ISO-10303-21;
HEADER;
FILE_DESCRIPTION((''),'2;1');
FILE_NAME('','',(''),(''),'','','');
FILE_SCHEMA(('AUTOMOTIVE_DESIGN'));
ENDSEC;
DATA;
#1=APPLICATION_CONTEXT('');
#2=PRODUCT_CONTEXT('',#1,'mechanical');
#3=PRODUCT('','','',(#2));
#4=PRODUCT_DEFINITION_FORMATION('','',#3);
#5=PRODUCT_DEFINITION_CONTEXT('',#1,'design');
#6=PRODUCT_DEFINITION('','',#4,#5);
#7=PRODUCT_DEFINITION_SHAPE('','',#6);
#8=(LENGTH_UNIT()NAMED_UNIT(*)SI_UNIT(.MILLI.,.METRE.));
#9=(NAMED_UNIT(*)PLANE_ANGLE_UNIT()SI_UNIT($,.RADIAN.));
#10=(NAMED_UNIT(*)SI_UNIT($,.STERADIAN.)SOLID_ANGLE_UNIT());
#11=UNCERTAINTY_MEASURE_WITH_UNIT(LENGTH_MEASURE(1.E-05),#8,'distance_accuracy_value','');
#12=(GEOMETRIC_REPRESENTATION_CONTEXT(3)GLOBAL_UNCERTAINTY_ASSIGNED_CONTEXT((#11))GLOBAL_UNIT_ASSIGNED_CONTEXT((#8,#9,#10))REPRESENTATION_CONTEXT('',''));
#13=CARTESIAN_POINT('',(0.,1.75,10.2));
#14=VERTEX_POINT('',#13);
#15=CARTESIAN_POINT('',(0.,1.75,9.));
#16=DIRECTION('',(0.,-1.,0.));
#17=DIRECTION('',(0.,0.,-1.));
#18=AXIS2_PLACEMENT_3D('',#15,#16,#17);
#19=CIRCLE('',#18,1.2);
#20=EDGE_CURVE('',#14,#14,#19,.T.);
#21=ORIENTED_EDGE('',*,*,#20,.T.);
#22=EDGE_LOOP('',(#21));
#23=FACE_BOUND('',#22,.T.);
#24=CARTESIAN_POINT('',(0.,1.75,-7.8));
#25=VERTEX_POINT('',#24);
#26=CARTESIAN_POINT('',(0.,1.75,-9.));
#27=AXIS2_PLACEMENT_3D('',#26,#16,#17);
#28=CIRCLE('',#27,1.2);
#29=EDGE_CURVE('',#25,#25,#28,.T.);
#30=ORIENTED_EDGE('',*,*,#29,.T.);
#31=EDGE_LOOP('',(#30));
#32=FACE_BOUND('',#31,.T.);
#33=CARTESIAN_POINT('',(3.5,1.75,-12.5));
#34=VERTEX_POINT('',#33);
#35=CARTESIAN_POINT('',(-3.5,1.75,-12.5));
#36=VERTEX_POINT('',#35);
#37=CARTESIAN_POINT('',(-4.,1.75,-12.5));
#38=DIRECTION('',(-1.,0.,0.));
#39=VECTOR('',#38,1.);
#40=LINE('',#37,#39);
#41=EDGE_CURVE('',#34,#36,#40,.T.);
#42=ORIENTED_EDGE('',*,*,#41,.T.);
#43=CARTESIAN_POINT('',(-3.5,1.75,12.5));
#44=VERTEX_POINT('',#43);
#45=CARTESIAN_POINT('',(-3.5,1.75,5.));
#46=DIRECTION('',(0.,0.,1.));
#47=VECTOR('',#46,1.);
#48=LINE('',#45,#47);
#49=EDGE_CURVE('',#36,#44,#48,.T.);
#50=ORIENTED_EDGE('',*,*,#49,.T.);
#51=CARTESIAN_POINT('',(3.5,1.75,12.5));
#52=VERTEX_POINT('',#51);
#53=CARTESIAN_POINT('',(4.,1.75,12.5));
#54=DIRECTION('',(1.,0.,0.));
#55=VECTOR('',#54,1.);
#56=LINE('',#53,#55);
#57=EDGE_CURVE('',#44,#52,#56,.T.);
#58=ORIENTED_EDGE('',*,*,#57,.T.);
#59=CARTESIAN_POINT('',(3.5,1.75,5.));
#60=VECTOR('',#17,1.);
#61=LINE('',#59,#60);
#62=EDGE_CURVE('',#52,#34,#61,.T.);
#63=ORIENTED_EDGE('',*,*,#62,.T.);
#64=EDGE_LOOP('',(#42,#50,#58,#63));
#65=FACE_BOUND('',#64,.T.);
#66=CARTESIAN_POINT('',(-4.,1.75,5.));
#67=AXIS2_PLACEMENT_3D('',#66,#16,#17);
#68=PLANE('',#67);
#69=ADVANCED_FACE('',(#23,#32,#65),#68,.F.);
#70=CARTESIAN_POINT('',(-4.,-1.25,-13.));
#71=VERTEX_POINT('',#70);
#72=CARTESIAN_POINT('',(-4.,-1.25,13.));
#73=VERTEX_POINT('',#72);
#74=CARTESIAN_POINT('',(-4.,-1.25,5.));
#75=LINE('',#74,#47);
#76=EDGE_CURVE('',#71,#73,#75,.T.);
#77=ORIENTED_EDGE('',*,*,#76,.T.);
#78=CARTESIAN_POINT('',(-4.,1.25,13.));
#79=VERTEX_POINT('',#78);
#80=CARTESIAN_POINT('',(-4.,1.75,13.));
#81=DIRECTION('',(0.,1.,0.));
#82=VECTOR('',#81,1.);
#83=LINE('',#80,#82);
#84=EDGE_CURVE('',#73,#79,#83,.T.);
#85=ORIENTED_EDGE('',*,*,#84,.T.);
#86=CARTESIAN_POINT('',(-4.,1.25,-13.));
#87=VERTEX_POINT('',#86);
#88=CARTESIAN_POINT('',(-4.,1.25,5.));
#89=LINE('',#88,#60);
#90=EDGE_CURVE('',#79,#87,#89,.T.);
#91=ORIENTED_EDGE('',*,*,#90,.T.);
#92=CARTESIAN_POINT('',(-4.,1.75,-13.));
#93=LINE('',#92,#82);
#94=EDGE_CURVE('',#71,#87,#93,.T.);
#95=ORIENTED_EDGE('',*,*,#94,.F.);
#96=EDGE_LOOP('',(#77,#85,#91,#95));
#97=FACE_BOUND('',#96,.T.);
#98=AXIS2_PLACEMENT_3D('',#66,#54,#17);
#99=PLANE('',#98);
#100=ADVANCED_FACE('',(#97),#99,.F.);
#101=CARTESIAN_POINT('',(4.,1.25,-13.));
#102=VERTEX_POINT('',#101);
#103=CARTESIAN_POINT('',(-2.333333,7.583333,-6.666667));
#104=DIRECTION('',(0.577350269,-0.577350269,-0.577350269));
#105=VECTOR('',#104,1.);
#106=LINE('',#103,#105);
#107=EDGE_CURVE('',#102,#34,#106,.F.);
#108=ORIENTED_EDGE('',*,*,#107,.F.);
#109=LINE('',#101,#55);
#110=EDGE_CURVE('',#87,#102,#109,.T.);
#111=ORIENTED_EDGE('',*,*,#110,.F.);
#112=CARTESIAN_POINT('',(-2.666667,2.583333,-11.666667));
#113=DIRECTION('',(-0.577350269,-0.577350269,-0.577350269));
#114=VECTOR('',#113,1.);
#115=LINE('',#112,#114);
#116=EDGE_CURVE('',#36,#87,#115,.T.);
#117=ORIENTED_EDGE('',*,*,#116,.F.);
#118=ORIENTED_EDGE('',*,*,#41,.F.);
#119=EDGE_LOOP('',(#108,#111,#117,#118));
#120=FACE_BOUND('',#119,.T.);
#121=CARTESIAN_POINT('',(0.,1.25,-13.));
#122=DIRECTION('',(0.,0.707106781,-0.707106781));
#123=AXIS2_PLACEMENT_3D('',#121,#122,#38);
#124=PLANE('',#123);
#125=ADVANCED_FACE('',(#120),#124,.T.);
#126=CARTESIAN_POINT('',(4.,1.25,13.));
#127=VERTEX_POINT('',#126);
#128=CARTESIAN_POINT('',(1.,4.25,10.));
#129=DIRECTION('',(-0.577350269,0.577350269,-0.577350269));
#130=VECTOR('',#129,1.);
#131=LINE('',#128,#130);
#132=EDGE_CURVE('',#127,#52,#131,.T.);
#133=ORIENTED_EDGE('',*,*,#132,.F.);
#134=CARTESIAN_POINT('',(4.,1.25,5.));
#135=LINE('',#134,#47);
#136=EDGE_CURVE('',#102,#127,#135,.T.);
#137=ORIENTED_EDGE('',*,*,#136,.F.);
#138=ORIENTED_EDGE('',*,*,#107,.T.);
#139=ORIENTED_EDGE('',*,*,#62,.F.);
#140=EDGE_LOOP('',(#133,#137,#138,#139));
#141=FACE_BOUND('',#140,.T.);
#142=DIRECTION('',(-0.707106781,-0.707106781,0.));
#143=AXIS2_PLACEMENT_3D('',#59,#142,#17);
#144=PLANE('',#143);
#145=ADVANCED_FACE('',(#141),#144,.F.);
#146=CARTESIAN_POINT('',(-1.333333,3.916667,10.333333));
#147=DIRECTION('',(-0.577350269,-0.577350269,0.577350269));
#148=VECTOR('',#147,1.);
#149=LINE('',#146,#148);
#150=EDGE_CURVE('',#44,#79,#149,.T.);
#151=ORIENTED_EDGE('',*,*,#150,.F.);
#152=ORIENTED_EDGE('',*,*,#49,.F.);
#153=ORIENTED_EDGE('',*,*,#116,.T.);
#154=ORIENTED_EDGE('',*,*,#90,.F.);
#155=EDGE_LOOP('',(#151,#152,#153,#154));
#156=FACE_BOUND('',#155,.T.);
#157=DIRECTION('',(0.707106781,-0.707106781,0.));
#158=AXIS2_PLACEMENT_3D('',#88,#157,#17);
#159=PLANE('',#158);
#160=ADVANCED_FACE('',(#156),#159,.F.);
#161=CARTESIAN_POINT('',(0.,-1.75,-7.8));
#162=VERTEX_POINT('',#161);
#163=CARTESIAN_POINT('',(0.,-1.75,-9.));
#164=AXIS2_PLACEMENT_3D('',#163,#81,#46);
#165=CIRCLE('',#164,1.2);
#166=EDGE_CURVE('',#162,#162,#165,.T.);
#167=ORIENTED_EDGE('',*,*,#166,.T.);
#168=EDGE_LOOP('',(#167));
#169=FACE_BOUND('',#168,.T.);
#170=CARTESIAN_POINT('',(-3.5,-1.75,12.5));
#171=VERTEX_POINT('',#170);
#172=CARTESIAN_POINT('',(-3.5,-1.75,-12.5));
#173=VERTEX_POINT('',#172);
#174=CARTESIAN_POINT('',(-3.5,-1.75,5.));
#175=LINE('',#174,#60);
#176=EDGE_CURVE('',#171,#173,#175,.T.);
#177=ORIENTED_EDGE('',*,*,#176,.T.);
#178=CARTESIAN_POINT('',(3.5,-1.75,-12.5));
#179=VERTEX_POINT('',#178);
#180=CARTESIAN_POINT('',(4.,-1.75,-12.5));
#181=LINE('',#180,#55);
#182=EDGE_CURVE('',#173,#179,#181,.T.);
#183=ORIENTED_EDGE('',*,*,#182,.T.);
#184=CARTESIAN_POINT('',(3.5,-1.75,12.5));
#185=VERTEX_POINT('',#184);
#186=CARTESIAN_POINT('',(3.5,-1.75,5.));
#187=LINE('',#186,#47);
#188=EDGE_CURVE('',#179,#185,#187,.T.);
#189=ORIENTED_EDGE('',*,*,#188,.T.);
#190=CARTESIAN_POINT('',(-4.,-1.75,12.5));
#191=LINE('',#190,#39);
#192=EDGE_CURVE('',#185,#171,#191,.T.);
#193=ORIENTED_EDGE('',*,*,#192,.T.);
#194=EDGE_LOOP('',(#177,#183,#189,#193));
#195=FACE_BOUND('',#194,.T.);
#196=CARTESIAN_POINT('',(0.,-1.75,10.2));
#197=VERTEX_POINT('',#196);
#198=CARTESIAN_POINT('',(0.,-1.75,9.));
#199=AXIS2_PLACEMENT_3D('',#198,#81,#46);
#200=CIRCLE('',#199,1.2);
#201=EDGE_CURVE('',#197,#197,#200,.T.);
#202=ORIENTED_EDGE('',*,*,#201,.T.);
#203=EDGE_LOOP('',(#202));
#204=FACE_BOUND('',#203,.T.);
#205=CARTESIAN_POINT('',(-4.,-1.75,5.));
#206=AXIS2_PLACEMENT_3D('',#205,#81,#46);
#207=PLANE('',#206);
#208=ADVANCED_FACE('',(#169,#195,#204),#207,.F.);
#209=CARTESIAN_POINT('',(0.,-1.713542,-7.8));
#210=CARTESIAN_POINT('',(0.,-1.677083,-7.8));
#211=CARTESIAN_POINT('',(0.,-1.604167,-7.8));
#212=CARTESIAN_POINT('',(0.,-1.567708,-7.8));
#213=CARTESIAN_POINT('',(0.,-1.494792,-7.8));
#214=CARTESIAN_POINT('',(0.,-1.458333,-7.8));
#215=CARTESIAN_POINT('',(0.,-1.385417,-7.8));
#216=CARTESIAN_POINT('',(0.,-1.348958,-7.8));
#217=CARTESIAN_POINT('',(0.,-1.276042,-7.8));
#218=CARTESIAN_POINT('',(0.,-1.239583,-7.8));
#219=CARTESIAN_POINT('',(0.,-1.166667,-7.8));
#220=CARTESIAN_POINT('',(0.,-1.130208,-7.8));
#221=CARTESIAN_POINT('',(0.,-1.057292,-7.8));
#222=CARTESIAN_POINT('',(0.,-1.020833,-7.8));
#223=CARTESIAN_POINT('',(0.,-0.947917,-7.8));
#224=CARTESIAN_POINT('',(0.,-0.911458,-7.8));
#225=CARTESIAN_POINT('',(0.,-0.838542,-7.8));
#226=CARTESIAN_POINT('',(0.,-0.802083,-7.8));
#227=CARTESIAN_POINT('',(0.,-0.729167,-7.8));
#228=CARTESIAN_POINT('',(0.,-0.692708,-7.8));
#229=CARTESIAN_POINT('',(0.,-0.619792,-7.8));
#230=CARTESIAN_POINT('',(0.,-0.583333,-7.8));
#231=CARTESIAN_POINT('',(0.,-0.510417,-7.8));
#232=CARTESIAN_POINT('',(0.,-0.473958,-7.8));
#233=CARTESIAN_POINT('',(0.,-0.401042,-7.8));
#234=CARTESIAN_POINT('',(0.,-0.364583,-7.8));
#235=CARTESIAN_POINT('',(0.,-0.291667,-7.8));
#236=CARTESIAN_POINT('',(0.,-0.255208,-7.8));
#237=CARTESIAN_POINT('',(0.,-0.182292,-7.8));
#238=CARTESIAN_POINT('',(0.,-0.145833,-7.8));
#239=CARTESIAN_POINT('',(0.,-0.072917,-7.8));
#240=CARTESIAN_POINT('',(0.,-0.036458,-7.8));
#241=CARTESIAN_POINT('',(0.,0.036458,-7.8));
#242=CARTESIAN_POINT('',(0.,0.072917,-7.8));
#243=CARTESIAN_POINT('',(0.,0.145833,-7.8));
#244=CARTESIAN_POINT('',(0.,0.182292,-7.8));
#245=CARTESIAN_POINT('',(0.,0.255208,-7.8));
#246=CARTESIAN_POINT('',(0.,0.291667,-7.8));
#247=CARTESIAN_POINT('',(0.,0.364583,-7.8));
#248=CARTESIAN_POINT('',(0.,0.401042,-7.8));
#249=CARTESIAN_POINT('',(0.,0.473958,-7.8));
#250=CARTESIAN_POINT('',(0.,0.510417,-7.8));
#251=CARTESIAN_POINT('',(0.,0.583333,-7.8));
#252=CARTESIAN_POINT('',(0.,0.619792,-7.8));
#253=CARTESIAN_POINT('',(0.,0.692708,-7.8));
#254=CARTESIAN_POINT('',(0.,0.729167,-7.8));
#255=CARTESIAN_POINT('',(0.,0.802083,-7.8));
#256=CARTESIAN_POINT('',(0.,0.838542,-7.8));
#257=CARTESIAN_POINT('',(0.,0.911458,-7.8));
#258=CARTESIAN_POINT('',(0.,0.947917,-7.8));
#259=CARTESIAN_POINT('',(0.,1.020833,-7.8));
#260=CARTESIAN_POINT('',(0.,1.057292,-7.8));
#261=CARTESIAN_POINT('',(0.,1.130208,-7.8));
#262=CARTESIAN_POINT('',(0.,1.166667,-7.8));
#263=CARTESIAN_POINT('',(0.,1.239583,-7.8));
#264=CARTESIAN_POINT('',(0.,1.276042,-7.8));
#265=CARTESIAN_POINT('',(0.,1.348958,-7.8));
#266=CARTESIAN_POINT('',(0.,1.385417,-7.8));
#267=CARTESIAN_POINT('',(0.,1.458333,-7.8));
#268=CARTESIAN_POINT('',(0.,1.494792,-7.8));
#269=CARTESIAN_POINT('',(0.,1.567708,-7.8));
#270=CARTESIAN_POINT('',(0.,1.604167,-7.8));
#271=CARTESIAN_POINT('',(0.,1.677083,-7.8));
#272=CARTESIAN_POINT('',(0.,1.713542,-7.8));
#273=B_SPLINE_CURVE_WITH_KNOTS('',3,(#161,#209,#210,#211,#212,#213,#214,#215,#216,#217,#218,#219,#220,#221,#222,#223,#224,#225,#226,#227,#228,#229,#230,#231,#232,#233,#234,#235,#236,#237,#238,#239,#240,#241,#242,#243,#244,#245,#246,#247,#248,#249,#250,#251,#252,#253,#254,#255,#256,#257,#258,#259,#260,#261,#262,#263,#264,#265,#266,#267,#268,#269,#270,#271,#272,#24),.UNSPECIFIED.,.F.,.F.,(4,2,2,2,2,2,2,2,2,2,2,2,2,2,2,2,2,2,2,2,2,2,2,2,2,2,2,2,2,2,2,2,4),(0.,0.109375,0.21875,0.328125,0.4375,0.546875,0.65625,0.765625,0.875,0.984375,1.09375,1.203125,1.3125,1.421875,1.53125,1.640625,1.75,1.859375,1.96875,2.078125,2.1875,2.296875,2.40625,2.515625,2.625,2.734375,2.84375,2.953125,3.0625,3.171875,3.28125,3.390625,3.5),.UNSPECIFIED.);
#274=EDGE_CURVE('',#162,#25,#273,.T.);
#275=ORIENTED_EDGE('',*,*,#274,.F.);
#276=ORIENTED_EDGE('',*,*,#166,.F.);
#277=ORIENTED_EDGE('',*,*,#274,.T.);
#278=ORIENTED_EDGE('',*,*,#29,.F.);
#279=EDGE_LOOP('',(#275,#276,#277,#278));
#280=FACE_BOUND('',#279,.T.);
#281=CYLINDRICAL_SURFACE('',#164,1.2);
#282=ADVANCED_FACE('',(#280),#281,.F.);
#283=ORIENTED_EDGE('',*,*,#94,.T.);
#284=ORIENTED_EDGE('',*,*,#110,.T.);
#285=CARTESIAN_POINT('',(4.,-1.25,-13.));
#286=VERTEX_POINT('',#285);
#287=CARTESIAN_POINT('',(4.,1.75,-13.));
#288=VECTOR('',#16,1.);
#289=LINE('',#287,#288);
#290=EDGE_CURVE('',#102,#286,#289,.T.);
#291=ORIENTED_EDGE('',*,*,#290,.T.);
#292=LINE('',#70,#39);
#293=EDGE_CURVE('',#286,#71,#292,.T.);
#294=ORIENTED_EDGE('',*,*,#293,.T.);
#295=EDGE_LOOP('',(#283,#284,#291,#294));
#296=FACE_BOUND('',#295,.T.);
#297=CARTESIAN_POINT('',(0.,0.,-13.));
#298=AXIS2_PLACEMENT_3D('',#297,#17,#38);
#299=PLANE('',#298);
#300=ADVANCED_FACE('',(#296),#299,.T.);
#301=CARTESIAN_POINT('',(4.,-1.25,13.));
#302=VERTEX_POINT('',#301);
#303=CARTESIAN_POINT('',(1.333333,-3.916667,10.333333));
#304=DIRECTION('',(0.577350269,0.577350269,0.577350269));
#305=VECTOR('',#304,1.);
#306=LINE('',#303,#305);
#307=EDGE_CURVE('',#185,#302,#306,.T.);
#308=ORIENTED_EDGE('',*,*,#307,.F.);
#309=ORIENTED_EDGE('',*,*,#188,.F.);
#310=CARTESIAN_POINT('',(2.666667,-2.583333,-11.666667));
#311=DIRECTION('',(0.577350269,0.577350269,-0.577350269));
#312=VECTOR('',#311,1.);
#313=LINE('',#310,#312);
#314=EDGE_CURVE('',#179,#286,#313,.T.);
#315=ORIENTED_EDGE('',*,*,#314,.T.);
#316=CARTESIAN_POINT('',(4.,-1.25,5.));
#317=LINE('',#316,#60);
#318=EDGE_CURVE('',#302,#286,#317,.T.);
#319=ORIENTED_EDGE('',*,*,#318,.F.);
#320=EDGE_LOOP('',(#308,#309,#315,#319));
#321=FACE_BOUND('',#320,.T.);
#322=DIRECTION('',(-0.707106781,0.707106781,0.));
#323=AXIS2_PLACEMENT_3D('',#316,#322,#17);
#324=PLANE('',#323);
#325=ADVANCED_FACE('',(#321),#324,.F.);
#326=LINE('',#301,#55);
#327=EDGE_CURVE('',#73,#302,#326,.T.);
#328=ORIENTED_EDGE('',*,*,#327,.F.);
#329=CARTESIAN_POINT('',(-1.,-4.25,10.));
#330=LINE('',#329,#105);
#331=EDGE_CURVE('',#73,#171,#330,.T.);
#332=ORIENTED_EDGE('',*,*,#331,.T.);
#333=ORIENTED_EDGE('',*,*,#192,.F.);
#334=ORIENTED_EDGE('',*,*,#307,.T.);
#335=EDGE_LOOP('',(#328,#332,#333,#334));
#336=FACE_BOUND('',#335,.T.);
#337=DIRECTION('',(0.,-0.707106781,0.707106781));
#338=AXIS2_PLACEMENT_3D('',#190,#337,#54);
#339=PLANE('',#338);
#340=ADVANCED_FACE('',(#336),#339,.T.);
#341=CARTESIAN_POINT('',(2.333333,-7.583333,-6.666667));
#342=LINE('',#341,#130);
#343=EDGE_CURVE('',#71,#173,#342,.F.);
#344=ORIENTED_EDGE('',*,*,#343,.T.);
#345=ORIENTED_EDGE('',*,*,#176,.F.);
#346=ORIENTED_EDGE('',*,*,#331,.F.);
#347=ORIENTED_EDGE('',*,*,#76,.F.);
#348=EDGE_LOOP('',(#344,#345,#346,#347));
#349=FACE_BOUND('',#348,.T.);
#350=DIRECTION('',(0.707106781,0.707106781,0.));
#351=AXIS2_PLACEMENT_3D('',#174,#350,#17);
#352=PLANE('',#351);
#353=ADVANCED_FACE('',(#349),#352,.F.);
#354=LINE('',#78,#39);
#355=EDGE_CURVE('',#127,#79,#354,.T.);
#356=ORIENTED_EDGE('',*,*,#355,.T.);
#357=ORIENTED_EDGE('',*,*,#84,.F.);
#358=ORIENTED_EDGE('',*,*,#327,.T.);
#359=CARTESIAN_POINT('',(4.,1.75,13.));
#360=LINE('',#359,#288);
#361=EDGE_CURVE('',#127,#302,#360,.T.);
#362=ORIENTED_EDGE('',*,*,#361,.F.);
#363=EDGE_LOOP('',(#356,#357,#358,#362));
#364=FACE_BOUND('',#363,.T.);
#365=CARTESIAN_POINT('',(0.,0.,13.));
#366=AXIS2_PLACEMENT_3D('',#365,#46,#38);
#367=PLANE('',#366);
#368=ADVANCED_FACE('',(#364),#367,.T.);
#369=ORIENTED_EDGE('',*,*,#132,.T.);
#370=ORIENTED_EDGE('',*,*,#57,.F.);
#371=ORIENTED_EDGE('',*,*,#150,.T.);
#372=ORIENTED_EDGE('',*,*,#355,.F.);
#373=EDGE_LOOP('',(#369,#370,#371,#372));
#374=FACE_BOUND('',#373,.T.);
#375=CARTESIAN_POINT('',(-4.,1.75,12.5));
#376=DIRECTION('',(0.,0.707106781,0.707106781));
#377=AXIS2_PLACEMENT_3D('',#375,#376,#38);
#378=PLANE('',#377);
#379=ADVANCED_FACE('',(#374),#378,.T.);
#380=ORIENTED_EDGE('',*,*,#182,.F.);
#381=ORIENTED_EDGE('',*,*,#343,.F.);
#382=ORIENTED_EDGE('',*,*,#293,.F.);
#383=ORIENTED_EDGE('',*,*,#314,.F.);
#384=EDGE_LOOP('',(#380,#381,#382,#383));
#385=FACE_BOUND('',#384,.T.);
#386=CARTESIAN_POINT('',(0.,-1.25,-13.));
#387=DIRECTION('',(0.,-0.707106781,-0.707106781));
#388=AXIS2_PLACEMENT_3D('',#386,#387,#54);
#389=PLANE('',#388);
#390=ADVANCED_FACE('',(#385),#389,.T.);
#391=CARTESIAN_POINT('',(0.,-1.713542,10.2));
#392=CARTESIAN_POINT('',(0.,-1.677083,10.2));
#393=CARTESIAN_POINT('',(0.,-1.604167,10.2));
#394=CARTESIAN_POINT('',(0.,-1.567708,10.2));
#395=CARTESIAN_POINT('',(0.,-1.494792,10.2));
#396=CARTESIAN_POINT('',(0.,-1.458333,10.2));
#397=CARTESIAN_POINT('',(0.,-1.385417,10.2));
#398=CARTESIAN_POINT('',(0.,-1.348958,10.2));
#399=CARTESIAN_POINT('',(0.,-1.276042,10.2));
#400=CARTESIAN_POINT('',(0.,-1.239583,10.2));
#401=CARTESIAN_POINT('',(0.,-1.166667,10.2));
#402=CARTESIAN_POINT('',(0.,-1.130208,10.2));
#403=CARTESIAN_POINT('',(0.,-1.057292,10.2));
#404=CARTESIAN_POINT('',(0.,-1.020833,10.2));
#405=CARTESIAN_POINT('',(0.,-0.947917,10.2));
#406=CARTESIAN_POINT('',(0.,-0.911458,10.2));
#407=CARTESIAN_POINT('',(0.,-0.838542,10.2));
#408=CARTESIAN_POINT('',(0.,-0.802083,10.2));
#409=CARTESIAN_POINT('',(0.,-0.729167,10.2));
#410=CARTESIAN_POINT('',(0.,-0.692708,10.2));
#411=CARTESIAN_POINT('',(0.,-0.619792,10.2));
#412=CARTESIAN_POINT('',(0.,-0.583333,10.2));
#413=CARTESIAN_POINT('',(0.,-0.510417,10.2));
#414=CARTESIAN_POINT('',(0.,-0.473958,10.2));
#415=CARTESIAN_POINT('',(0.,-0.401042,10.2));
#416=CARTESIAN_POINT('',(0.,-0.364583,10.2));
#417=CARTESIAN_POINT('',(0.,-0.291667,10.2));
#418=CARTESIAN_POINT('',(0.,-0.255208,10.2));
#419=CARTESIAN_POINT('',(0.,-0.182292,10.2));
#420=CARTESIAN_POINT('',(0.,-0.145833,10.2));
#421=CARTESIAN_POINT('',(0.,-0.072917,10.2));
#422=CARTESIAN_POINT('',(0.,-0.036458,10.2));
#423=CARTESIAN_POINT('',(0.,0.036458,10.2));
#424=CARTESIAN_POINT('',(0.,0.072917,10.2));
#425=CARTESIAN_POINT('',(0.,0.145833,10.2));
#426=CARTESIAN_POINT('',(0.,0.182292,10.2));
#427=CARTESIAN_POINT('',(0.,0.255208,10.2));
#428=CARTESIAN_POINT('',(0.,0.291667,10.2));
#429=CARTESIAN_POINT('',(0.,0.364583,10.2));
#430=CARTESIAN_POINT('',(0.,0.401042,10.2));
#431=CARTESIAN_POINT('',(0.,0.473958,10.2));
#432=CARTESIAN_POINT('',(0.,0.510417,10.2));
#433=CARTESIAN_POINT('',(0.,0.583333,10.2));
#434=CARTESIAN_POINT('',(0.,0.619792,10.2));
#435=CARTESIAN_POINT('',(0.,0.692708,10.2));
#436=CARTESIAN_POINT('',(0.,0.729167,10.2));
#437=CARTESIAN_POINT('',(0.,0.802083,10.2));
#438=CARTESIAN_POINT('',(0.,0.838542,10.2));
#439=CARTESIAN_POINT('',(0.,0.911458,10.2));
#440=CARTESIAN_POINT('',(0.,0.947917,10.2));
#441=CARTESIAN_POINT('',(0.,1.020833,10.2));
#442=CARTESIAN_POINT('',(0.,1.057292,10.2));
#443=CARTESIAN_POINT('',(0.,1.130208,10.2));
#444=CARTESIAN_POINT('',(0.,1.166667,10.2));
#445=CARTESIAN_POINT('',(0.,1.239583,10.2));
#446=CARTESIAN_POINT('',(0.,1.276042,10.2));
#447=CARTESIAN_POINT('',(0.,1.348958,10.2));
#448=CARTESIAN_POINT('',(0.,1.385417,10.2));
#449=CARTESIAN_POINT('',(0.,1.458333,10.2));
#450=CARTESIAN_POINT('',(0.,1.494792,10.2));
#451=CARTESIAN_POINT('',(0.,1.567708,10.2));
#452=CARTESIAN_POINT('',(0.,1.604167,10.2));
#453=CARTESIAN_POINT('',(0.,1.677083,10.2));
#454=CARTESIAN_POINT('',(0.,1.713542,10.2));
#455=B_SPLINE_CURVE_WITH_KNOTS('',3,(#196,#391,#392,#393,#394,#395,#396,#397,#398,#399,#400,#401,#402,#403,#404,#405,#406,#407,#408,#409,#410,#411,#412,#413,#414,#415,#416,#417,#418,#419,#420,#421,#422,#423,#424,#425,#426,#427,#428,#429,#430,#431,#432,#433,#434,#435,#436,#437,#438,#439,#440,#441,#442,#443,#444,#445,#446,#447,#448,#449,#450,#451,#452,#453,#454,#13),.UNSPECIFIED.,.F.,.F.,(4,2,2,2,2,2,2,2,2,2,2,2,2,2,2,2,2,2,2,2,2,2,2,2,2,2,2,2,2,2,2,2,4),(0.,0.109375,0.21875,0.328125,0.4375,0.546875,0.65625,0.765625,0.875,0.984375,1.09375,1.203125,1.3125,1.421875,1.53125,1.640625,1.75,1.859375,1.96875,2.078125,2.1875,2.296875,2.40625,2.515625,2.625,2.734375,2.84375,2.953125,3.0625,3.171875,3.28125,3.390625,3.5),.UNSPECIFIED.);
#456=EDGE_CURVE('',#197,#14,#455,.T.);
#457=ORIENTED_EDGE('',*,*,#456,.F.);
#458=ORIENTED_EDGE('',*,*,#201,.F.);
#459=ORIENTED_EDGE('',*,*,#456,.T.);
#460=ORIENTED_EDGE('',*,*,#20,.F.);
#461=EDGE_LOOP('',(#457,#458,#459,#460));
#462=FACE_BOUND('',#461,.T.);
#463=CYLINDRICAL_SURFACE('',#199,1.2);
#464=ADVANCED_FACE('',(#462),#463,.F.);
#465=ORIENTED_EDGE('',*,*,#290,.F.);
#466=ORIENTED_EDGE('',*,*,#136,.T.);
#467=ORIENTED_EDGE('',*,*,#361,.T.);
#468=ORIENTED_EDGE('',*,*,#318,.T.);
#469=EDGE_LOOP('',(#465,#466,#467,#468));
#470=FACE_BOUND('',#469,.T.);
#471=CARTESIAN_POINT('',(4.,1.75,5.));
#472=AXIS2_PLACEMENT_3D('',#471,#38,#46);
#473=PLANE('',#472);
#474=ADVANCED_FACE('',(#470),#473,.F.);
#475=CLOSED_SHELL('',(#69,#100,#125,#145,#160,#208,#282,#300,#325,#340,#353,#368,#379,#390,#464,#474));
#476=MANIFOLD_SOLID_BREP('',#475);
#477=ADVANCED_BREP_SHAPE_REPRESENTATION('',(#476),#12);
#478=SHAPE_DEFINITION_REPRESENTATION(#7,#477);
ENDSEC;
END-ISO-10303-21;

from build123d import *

# Parameters (mm, degrees)
SKETCH1_W               = 8
SKETCH1_H               = 3.5
BOSS_EXTRUDE1_DEPTH     = 5
SKETCH2_W               = 8
SKETCH2_H               = 3.5
BOSS_EXTRUDE2_DEPTH     = 8
CHAMFER1_SIZE           = 0.5
CUT_EXTRUDE1_DEPTH      = 15.044571905
CUT_EXTRUDE1_DEPTH_BACK = 15.044571905
SKETCH3_R               = 1.2


with BuildPart() as part:
    # Sketch1 → Boss-Extrude1 (new, symmetric)
    with BuildSketch(Plane.XY):
        Rectangle(SKETCH1_W, SKETCH1_H)
    extrude(amount=BOSS_EXTRUDE1_DEPTH, both=True)

    # Sketch2 → Boss-Extrude2 (add)
    with BuildSketch(Plane(origin=(0, 0, -5), x_dir=(-1, 0, 0), z_dir=(0, 0, -1))):
        Rectangle(SKETCH2_W, SKETCH2_H)
    boss_extrude2 = extrude(amount=BOSS_EXTRUDE2_DEPTH)

    # Mirror1: Boss-Extrude2 across plane
    add(boss_extrude2.mirror(Plane.XY))

    # Chamfer1
    chamfer1_edges = [part.edges().sort_by_distance(p)[0] for p in [
        (0, 1.75, -13),
        (0, -1.75, -13),
        (0, -1.75, 13),
        (0, 1.75, 13),
        (4, -1.75, 0),
        (-4, -1.75, 0),
        (-4, 1.75, 0),
        (4, 1.75, 0),
    ]]
    chamfer(chamfer1_edges, length=CHAMFER1_SIZE)

    # Sketch3 → Cut-Extrude1 (cut, two sides: drawn at the far end of the back side and taken through both)
    with BuildSketch(Plane(origin=(0, 1.75, 0), x_dir=(1, 0, 0), z_dir=(0, 1, 0)).offset(-CUT_EXTRUDE1_DEPTH_BACK)):
        with Locations(Location((0, -9, 0), (0, 0, 270))):
            Circle(SKETCH3_R)
        with Locations(Location((0, 9, 0), (0, 0, 270))):
            Circle(SKETCH3_R)
    extrude(amount=CUT_EXTRUDE1_DEPTH + CUT_EXTRUDE1_DEPTH_BACK, mode=Mode.SUBTRACT)


solid = part.part
